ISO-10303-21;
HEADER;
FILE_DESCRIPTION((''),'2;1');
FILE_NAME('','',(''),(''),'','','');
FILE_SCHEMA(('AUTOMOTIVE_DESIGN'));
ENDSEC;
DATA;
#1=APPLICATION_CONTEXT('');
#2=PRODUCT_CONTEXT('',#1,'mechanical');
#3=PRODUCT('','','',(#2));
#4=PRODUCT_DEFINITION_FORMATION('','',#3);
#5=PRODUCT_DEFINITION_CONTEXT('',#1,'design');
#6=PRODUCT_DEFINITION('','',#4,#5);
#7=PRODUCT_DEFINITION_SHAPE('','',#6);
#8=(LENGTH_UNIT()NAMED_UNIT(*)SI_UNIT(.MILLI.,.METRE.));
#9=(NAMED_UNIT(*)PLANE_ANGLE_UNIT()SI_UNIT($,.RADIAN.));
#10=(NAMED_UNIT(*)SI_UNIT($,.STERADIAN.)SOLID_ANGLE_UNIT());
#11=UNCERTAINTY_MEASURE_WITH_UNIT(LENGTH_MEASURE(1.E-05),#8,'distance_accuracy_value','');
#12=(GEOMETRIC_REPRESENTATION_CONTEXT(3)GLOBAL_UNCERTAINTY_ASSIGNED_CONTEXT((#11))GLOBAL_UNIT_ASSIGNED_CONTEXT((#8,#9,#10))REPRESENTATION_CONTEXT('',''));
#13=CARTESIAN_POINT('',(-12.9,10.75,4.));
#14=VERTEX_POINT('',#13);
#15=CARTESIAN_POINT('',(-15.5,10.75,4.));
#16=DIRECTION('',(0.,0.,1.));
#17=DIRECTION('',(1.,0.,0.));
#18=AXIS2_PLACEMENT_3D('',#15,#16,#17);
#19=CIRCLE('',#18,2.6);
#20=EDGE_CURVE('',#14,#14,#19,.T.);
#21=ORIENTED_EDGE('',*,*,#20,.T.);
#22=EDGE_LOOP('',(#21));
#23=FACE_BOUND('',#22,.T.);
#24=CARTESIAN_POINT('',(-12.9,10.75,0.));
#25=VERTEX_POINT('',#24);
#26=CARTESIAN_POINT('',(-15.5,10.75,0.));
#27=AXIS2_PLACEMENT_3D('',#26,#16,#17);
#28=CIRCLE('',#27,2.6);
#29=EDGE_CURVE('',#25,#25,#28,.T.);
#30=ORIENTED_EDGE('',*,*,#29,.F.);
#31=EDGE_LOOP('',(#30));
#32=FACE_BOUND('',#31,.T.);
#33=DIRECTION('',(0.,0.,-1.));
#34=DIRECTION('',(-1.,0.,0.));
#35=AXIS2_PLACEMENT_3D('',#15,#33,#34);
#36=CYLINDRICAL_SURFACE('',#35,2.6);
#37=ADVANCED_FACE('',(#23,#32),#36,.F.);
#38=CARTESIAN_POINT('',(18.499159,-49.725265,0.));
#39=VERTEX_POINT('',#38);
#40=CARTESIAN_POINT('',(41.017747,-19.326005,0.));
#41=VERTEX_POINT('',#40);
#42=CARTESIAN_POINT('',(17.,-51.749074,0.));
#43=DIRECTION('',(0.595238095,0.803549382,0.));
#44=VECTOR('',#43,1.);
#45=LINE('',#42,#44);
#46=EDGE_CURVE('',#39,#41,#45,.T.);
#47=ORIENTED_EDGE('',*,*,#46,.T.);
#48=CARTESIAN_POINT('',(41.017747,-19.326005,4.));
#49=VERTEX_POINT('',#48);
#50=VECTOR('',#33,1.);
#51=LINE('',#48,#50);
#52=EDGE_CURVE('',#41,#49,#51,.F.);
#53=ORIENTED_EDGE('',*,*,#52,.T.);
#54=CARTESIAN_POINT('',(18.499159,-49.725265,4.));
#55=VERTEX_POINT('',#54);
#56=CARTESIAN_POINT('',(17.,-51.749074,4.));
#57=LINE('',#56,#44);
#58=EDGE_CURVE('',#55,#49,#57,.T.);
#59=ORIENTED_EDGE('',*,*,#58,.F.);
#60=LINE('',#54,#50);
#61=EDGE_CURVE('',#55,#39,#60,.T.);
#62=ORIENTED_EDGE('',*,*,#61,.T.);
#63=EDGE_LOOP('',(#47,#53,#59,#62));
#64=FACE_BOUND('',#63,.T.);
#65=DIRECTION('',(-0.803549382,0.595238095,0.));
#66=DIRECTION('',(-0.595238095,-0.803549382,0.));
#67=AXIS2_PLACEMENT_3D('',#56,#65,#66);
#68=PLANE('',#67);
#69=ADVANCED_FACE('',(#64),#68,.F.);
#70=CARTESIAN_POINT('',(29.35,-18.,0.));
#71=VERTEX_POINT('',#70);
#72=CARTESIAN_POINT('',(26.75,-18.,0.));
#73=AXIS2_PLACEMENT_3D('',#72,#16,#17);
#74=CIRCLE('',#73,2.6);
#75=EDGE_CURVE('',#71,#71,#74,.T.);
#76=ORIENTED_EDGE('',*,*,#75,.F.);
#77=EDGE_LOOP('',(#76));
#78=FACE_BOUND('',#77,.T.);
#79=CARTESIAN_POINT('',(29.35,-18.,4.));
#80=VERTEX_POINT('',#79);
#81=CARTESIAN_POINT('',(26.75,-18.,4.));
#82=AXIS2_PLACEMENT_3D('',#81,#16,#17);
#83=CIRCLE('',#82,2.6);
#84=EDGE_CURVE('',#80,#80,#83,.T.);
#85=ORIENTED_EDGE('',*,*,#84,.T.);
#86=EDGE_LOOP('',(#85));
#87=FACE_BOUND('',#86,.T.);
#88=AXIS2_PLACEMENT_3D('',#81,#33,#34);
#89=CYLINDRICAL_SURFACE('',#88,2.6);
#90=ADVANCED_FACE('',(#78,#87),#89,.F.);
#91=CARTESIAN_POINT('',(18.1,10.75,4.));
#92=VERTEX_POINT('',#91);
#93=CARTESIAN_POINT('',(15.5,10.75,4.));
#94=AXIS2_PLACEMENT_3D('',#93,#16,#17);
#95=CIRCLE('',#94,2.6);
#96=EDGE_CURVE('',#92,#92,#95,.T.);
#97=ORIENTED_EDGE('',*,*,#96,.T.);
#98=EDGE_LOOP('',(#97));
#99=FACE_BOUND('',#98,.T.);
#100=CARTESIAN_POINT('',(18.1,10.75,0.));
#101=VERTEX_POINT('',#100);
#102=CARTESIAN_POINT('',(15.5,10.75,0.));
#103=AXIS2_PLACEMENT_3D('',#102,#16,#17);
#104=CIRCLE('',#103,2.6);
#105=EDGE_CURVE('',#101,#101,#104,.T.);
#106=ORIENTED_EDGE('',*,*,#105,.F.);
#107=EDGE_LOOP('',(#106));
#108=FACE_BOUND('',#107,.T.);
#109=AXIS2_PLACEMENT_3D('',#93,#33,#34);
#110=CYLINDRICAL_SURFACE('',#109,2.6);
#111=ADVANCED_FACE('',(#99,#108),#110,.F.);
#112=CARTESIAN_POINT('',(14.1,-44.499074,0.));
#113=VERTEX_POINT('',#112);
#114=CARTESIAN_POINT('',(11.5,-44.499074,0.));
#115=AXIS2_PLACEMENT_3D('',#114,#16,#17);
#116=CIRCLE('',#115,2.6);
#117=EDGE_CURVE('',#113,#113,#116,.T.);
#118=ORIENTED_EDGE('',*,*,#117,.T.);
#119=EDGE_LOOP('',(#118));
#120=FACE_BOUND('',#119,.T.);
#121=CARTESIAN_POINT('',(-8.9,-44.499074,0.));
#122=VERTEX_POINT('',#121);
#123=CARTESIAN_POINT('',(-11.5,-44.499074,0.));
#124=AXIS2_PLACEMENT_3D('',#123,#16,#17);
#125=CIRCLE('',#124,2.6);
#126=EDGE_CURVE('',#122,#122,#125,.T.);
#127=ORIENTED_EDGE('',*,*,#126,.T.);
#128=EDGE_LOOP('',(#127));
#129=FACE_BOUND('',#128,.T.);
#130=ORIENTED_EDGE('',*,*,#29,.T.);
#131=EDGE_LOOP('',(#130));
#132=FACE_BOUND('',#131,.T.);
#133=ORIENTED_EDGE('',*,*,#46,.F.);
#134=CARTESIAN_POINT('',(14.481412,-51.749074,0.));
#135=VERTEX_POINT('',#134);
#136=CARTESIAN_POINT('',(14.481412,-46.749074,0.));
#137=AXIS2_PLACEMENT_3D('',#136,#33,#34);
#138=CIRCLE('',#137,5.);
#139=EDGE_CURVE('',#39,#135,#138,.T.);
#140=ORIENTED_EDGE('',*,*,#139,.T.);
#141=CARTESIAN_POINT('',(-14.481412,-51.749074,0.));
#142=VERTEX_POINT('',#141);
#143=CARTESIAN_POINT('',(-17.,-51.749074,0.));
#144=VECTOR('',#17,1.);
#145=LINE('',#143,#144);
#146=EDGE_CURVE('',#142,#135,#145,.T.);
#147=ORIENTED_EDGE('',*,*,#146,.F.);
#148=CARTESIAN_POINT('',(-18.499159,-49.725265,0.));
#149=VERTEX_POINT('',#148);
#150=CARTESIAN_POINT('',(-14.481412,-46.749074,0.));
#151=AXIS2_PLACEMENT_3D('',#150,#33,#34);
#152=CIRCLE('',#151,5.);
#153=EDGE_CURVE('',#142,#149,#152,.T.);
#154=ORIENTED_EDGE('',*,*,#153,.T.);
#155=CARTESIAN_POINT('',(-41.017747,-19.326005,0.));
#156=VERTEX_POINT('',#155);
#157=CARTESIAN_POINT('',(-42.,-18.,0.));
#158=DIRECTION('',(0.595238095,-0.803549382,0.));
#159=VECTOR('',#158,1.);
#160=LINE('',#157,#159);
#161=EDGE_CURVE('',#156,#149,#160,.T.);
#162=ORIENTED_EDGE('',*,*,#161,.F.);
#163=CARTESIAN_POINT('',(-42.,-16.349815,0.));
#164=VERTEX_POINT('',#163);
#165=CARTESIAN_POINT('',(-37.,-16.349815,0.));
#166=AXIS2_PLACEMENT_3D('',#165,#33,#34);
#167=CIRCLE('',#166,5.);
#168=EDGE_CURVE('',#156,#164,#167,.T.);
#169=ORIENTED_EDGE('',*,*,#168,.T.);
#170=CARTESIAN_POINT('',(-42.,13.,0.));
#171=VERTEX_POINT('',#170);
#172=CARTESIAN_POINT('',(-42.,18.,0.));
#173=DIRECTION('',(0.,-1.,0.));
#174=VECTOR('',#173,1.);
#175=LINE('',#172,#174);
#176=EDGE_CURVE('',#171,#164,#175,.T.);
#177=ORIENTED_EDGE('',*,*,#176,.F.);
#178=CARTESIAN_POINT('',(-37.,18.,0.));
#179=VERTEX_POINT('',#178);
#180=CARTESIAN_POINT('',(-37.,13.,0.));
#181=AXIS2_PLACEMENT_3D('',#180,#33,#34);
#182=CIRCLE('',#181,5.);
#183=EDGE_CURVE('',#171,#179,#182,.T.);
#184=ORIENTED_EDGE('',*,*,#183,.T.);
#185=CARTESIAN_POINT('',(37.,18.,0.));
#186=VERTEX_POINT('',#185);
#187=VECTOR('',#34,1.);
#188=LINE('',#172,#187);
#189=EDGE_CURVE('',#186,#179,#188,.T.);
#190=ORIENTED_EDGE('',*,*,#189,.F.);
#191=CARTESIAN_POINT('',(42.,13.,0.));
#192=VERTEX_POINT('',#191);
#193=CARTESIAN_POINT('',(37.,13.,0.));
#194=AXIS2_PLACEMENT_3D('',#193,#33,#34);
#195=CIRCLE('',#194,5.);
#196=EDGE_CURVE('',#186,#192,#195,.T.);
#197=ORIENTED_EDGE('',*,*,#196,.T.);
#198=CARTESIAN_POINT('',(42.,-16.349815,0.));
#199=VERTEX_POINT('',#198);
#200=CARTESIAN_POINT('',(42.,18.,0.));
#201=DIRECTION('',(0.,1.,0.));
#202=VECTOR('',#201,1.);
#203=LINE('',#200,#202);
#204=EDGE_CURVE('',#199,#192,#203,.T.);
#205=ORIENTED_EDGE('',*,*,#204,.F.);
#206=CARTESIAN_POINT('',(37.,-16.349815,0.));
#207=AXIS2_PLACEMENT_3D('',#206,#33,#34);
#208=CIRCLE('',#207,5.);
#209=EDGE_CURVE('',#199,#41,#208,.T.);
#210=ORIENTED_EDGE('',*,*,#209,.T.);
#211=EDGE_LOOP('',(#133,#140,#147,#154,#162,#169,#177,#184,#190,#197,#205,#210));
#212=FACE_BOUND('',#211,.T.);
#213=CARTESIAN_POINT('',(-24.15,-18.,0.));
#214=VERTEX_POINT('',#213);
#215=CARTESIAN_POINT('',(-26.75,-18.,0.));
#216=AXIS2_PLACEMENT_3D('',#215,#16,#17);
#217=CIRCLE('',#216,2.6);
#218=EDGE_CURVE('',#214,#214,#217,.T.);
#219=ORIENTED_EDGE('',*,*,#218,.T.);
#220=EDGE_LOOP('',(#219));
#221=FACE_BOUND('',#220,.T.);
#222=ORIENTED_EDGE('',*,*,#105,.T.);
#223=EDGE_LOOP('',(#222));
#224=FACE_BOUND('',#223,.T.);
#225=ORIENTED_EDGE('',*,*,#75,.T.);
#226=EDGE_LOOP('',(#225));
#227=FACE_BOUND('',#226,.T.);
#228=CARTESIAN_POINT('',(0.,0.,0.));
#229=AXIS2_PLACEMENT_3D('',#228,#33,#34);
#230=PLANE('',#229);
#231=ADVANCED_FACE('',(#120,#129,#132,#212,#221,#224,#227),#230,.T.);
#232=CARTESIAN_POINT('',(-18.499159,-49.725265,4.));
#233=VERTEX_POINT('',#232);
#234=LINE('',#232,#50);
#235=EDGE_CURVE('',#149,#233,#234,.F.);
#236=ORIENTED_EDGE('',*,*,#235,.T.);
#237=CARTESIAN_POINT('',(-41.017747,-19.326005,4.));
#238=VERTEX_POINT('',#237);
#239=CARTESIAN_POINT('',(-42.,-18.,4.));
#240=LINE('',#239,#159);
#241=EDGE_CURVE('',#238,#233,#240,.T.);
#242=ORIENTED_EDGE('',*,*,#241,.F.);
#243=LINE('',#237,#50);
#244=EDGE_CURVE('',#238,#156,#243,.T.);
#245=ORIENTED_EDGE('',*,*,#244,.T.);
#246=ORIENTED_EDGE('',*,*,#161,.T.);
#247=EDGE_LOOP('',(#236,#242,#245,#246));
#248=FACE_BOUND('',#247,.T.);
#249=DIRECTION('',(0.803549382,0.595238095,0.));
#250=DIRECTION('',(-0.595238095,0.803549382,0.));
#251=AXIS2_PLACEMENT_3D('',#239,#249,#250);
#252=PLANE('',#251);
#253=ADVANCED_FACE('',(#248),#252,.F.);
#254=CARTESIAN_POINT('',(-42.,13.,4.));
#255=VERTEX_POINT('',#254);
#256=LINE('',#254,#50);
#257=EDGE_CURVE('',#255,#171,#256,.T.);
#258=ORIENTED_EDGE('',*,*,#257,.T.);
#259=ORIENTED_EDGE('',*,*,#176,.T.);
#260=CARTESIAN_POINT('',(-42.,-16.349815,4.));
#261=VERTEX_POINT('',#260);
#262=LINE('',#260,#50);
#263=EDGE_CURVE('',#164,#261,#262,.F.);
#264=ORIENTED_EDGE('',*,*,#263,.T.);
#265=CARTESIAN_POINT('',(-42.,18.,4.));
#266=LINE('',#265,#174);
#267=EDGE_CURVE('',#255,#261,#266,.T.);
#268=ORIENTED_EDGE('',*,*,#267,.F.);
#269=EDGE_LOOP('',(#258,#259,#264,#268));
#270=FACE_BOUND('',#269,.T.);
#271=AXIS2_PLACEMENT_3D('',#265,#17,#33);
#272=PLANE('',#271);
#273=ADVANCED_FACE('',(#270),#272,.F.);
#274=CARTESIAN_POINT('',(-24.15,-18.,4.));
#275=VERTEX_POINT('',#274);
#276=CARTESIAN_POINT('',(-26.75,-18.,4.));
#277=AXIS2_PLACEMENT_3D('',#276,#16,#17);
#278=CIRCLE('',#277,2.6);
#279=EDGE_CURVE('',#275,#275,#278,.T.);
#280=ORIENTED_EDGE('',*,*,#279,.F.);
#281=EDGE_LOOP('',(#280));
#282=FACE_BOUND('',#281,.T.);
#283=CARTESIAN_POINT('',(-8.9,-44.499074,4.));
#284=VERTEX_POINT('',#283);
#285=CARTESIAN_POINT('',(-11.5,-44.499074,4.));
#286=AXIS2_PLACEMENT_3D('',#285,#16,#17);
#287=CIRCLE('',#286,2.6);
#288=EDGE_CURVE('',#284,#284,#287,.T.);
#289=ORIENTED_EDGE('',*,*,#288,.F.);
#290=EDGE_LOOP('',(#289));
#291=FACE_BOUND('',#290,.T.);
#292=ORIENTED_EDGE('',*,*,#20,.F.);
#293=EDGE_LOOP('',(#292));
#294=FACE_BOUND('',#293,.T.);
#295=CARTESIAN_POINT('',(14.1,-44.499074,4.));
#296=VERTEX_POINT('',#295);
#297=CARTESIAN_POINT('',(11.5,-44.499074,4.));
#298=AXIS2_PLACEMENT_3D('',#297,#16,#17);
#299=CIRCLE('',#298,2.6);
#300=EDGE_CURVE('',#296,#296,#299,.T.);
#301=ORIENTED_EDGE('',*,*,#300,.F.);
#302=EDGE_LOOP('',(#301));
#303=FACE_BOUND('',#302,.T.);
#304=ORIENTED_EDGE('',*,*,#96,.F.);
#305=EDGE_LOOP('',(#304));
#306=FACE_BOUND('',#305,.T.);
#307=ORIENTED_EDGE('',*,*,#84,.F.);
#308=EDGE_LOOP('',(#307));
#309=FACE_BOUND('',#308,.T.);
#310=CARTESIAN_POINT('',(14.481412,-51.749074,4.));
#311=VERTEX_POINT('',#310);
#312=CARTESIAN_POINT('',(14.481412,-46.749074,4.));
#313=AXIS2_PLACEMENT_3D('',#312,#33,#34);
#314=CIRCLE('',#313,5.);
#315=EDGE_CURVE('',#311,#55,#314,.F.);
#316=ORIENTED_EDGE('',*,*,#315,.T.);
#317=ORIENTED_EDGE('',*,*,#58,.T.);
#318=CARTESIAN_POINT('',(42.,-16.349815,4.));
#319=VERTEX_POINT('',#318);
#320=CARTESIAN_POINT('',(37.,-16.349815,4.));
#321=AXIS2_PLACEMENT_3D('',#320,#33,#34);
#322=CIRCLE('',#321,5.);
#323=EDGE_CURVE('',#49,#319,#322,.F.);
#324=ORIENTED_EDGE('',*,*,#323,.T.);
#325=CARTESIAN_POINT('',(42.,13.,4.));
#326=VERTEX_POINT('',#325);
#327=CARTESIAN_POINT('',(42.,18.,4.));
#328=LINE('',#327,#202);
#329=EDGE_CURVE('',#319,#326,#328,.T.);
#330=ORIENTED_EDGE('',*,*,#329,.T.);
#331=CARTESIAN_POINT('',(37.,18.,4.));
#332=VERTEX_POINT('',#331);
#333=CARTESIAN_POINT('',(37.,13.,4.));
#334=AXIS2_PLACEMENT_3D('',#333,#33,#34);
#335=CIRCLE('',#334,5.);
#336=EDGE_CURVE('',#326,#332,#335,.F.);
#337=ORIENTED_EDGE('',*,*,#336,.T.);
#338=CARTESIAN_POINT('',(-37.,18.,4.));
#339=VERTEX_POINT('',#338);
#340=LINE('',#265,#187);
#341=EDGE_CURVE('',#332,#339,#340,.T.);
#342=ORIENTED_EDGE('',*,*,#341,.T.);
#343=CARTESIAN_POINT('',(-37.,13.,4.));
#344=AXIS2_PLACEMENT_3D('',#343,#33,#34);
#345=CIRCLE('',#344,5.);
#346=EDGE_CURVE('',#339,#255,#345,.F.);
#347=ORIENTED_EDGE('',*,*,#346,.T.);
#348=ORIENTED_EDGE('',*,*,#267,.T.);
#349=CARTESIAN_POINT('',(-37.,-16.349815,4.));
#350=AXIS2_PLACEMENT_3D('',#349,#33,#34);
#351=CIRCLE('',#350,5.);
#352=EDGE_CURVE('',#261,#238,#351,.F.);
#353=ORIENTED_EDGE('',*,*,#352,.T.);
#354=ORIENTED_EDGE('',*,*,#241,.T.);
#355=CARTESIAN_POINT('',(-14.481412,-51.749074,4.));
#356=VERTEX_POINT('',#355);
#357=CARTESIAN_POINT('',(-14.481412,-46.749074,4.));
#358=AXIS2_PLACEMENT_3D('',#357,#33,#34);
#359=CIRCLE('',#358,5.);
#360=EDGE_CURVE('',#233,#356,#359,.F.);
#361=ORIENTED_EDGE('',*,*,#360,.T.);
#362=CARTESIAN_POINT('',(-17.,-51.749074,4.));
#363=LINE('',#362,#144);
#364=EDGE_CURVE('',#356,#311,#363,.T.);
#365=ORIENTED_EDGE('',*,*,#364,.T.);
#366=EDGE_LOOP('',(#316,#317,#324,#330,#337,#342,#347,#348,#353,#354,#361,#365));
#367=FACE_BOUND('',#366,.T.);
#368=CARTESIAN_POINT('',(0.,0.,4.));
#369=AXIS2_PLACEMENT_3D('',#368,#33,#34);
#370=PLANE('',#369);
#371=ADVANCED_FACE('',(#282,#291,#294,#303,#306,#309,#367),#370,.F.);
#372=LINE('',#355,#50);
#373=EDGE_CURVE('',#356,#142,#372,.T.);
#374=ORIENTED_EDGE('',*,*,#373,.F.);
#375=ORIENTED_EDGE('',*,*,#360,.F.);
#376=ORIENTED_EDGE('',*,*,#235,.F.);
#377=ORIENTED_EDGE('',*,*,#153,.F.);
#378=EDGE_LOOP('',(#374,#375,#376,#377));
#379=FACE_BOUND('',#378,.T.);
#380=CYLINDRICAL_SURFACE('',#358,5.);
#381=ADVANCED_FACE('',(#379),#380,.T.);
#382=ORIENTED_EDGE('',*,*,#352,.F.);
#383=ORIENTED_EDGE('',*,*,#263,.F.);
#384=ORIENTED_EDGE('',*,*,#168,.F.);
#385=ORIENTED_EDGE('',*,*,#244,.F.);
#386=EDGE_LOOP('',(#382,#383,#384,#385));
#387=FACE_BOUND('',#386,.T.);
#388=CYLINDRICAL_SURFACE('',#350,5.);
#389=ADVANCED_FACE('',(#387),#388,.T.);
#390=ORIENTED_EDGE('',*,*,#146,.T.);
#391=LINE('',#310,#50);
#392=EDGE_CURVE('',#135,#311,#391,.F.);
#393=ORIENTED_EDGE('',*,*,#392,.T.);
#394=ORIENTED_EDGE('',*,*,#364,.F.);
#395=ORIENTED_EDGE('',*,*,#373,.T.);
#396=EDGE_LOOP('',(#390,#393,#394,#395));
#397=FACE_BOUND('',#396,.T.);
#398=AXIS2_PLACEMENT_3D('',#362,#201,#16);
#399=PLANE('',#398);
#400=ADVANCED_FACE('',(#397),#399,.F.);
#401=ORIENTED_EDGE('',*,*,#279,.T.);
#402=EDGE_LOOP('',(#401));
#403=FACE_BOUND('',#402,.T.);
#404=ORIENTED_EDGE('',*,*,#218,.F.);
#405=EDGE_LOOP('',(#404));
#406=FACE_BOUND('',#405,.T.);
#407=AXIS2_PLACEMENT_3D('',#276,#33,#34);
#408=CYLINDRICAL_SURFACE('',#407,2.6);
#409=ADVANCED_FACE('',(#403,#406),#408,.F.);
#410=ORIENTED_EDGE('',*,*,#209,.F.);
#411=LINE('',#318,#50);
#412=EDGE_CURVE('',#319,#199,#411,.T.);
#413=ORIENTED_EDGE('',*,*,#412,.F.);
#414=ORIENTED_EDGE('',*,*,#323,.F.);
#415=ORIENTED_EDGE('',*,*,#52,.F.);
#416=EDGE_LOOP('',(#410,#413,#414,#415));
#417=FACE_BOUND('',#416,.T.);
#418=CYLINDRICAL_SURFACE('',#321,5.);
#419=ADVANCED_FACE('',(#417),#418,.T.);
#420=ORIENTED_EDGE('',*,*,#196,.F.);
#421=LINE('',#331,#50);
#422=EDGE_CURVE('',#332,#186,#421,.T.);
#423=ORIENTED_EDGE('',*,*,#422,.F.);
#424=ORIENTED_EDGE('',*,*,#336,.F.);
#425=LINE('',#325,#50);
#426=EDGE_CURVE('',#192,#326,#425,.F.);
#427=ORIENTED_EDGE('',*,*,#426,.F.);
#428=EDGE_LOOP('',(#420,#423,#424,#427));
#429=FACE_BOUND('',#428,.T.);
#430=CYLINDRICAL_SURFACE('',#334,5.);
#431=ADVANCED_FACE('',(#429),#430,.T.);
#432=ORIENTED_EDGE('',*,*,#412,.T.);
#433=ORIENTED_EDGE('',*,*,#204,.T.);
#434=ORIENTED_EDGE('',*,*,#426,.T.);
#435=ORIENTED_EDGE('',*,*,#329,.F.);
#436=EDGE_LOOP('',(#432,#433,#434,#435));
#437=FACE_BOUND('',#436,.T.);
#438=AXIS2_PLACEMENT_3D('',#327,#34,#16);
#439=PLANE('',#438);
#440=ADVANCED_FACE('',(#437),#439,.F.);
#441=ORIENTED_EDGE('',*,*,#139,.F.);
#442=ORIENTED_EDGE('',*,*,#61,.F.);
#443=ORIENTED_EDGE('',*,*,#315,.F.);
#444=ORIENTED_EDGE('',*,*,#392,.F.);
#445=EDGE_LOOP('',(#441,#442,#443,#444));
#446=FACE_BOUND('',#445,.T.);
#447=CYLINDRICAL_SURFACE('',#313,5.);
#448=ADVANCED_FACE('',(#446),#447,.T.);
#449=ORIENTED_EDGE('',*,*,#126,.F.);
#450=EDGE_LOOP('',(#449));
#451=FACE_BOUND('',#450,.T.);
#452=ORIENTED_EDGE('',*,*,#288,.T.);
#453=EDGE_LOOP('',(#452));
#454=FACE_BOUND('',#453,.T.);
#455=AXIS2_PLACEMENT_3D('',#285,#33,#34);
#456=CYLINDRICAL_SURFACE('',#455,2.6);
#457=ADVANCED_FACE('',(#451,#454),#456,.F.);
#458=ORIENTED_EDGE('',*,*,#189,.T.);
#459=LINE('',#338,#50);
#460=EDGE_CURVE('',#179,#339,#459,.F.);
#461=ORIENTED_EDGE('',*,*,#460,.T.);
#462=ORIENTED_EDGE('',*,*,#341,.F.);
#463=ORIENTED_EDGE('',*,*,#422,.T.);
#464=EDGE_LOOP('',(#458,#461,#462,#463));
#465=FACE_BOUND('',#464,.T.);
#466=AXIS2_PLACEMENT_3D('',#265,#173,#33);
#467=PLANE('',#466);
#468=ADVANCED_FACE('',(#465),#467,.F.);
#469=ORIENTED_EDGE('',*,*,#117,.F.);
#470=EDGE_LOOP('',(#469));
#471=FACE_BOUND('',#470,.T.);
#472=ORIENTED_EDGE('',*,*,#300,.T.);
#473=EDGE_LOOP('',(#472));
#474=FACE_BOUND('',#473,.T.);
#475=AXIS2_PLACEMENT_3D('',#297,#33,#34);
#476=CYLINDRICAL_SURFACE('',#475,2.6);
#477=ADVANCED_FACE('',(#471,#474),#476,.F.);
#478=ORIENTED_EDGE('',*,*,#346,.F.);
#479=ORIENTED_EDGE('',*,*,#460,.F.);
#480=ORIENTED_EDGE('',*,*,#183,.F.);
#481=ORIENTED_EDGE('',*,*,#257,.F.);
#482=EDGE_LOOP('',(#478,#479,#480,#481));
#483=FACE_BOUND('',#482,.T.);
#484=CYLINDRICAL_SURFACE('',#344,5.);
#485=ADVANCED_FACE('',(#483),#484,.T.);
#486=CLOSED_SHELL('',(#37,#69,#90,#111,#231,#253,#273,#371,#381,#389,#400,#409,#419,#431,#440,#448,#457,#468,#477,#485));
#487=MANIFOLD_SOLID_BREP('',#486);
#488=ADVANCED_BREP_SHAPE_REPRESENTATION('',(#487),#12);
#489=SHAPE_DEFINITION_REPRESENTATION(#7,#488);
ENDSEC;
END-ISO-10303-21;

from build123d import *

# Parameters (mm, degrees)
SKETCH1_R           = 2.6
BOSS_EXTRUDE1_DEPTH = 4
FILLET1_R           = 5


with BuildPart() as part:
    # Sketch1 → Boss-Extrude1 (new body)
    with BuildSketch(Plane.XY):
        Polygon((-17, -51.749074061), (17, -51.749074061), (42, -18), (42, 18), (-42, 18), (-42, -18), align=None)
        with Locations((-15.5, 10.75)):
            Circle(SKETCH1_R, mode=Mode.SUBTRACT)
        with Locations((15.5, 10.75)):
            Circle(SKETCH1_R, mode=Mode.SUBTRACT)
        with Locations((-26.75, -18)):
            Circle(SKETCH1_R, mode=Mode.SUBTRACT)
        with Locations((26.75, -18)):
            Circle(SKETCH1_R, mode=Mode.SUBTRACT)
        with Locations((-11.5, -44.499074061)):
            Circle(SKETCH1_R, mode=Mode.SUBTRACT)
        with Locations((11.5, -44.499074061)):
            Circle(SKETCH1_R, mode=Mode.SUBTRACT)
    extrude(amount=BOSS_EXTRUDE1_DEPTH)

    # Fillet1
    fillet1_edges = [part.edges().sort_by_distance(p)[0] for p in [
        (17, -51.749074061, 2),
        (-17, -51.749074061, 2),
        (-42, -18, 2),
        (-42, 18, 2),
        (42, 18, 2),
        (42, -18, 2),
    ]]
    fillet(fillet1_edges, radius=FILLET1_R)


solid = part.part
